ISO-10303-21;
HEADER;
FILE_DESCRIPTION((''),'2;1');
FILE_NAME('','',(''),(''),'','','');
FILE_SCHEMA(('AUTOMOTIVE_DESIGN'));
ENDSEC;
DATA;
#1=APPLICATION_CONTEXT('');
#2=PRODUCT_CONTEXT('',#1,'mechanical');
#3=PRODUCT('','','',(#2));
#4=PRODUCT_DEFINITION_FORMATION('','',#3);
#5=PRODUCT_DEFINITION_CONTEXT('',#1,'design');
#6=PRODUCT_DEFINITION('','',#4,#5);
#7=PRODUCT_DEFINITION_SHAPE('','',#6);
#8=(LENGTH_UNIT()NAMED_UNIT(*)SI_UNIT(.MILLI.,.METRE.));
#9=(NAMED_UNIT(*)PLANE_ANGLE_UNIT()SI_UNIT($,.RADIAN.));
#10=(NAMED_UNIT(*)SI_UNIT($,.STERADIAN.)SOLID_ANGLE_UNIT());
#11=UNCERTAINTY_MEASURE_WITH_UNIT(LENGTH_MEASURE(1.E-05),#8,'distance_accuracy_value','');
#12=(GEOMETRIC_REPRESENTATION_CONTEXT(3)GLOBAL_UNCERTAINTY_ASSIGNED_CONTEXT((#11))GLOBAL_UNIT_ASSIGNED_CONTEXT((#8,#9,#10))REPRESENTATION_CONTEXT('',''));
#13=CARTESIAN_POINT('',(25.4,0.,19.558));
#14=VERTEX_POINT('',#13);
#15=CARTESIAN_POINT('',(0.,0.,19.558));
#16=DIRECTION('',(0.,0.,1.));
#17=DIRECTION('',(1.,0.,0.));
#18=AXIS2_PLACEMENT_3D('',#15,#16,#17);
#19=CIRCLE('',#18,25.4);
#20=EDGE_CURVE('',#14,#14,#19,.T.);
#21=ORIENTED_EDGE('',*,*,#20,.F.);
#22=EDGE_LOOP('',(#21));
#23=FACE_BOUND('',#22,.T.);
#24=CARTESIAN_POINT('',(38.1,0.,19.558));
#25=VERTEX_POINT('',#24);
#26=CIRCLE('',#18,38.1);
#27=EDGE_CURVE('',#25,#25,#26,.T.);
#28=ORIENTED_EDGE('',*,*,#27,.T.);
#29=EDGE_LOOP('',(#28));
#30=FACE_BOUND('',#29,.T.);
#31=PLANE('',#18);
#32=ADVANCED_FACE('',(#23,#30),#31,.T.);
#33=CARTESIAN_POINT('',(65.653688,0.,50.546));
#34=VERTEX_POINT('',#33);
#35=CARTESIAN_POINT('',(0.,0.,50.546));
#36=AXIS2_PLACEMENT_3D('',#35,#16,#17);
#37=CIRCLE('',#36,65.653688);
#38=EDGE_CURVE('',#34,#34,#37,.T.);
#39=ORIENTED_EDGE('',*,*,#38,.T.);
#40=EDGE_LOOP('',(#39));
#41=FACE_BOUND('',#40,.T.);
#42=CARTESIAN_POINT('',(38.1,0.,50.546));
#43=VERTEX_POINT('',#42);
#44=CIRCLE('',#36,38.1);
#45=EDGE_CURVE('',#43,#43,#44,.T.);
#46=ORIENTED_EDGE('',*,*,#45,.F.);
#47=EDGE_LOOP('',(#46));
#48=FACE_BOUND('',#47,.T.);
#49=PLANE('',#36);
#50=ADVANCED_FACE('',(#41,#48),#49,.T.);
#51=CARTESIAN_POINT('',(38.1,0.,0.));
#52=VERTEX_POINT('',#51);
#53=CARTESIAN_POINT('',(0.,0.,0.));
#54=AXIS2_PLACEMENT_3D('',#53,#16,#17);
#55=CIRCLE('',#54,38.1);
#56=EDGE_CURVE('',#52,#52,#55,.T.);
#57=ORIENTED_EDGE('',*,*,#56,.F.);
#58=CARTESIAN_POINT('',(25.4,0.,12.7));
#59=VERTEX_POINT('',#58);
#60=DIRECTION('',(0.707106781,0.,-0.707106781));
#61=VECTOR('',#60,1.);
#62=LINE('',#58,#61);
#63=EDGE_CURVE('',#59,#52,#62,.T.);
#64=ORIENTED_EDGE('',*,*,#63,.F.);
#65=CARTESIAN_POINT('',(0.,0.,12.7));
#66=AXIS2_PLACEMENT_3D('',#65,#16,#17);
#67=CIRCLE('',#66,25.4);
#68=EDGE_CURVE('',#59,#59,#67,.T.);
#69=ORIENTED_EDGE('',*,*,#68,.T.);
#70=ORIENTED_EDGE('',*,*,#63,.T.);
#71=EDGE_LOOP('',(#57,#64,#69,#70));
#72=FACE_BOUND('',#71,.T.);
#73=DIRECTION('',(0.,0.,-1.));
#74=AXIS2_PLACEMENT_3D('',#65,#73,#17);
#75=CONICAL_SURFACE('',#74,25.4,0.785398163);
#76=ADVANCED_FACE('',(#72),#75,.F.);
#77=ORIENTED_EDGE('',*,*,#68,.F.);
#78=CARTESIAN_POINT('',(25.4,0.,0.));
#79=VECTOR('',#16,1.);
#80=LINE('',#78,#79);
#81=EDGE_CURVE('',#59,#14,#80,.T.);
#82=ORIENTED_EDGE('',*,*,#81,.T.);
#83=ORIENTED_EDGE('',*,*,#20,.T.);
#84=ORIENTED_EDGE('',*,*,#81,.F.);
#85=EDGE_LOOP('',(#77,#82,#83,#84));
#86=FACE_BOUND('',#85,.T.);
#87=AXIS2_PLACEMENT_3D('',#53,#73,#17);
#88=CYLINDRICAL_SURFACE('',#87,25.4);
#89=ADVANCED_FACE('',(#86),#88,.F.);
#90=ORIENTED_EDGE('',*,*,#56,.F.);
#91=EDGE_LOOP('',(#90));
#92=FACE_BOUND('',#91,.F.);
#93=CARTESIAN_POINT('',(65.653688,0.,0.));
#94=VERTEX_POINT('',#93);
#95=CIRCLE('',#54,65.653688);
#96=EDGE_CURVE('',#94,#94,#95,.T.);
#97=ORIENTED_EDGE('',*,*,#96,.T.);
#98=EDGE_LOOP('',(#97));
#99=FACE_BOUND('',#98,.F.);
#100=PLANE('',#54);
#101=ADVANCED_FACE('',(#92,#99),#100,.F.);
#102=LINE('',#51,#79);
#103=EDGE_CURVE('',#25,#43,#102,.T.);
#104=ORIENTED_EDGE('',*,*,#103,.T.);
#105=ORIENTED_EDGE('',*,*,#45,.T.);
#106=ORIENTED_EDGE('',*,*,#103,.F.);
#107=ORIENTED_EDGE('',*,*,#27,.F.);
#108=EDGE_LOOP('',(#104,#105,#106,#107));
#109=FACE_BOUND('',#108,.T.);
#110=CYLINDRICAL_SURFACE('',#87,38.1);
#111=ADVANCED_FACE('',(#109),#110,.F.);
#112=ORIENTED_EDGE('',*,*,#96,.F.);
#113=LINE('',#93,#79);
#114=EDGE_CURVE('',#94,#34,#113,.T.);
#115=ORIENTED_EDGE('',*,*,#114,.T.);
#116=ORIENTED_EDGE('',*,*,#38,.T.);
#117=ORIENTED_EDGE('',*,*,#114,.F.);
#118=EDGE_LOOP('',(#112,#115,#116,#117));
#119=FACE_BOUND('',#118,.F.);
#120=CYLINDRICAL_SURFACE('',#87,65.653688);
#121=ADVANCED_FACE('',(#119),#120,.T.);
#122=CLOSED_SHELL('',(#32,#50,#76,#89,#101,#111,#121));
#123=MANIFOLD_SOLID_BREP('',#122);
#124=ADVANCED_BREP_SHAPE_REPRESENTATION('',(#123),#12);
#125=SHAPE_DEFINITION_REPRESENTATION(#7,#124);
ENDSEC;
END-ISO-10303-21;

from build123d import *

# Parameters (mm, degrees)
F0_R     = 65.653688
F0_R_2   = 38.1
F1_DEPTH = 50.546
F0_R_3   = 25.4
F2_DEPTH = 19.558
F3_SIZE  = 12.7


with BuildPart() as f1:
    # F0 (on Top) → F1 (new body)
    with BuildSketch(Plane.XY):
        Circle(F0_R)
        Circle(F0_R_2, mode=Mode.SUBTRACT)
    extrude(amount=F1_DEPTH)

    # F0 (on Top) → F2 (join)
    with BuildSketch(Plane.XY):
        Circle(F0_R_2)
        Circle(F0_R_3, mode=Mode.SUBTRACT)
    extrude(amount=F2_DEPTH)

    # F3
    f3_edges = [f1.edges().sort_by_distance(p)[0] for p in [
        (-25.4, 0, 0),
    ]]
    chamfer(f3_edges, length=F3_SIZE)


solid = f1.part
